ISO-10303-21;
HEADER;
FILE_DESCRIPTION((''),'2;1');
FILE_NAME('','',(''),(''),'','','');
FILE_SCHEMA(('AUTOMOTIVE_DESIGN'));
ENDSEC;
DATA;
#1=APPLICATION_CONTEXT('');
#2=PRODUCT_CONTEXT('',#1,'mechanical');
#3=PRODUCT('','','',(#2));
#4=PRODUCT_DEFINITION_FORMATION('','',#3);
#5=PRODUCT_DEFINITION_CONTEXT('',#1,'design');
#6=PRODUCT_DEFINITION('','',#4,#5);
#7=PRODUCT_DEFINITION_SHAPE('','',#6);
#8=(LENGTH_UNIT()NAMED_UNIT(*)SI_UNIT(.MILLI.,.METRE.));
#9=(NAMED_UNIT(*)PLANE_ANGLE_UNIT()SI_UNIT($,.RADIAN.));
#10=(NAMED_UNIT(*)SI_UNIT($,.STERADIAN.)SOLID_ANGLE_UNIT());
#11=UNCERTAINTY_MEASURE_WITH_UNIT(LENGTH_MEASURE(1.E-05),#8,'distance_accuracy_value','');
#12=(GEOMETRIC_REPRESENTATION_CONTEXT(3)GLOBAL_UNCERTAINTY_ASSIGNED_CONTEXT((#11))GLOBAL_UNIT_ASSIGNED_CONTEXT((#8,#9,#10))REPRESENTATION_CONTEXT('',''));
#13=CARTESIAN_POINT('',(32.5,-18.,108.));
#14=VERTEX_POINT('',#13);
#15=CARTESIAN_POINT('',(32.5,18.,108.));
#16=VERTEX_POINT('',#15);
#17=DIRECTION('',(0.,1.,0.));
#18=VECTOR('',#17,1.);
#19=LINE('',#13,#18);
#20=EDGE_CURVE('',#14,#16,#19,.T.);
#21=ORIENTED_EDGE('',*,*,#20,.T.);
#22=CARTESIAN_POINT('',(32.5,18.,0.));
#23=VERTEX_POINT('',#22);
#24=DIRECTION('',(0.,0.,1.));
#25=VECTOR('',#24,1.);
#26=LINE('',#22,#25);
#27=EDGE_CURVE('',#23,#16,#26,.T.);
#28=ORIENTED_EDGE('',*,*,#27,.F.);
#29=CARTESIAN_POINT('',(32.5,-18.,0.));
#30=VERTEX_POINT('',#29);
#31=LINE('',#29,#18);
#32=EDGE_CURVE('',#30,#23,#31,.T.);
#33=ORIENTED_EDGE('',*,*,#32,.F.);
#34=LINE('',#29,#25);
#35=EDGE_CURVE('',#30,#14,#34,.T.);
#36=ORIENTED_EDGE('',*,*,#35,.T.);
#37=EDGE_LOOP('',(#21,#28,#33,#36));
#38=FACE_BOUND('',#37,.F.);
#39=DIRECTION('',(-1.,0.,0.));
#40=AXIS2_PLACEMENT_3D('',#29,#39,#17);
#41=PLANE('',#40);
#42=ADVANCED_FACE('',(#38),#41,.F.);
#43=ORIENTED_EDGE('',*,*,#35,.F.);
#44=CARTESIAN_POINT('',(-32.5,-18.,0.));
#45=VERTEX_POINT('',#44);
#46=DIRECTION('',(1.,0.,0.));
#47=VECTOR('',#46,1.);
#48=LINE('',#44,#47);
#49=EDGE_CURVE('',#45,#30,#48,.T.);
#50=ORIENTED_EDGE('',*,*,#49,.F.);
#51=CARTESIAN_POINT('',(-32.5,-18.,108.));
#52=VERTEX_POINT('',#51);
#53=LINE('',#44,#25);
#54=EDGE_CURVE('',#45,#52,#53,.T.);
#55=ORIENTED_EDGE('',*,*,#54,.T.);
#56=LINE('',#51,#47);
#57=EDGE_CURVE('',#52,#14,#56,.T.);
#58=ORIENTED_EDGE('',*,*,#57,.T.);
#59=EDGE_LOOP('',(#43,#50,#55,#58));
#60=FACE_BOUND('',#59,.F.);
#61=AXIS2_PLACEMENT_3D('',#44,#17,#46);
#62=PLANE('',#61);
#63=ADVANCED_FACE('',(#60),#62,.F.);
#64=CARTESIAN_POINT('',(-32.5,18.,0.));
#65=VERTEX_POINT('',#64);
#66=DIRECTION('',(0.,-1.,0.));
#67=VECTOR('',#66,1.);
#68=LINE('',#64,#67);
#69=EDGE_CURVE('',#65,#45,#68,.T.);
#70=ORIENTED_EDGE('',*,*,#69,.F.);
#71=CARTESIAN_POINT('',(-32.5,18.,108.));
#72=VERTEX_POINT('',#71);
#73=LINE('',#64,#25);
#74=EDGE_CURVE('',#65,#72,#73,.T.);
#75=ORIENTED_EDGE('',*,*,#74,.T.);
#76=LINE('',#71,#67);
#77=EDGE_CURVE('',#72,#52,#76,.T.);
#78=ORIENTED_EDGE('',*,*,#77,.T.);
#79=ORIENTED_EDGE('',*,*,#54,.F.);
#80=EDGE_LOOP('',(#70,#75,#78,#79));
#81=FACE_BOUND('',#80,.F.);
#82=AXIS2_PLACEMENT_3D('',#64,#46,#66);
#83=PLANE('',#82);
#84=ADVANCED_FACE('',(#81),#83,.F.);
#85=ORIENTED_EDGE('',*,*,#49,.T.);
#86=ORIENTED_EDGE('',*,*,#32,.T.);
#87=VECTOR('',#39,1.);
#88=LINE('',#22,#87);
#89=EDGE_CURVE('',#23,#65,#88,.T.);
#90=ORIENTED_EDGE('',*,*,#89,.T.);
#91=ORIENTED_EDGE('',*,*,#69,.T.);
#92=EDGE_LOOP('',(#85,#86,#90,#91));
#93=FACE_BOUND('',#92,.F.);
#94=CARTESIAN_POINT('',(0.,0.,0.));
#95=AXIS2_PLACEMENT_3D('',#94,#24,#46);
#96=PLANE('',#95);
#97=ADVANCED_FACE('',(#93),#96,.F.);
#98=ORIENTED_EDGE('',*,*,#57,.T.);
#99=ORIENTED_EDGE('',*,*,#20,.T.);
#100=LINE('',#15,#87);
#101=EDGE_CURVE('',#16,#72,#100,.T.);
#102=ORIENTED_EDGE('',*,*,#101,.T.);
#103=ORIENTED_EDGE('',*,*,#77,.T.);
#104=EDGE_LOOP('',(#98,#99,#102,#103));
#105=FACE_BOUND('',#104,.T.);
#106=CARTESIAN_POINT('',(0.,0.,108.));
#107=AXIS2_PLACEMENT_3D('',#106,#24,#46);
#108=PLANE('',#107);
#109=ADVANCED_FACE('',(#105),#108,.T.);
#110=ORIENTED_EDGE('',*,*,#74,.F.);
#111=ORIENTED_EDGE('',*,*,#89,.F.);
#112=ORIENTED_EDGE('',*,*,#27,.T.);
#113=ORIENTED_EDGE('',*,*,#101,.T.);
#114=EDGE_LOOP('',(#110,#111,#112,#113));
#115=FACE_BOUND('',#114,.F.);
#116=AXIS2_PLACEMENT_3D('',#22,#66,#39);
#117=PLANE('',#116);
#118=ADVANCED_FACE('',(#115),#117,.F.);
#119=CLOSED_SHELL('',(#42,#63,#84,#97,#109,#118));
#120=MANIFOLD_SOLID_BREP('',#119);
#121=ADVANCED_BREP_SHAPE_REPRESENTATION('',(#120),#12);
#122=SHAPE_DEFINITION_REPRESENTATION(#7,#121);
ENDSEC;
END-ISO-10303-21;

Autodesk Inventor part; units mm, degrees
ref_plane "YZ Plane" through (0, 0, 0) normal (1, 0, 0) x (0, 1, 0)
ref_plane "XZ Plane" through (0, 0, 0) normal (0, 1, 0) x (-1, 0, 0)
ref_plane "XY Plane" through (0, 0, 0) normal (0, 0, 1) x (1, 0, 0)
sketch "Sketch1" plane through (0, 0, 0) normal (0, 0, 1) x (1, 0, 0)
  line L0 (-32.5, -18) -> (32.5, -18)
  line L1 (32.5, -18) -> (32.5, 18)
  line L2 (32.5, 18) -> (-32.5, 18)
  line L3 (-32.5, 18) -> (-32.5, -18)
  line L4 (-32.5, -18) -> (32.5, 18) construction
  line L5 (32.5, -18) -> (-32.5, 18) construction
  point P0 (0, 0)
  dimension "d0" = 65
  dimension "d1" = 36
extrude "Extrusion1" add sketch "Sketch1" along normal blind 108
properties part number "Li-ion 12 volt"
